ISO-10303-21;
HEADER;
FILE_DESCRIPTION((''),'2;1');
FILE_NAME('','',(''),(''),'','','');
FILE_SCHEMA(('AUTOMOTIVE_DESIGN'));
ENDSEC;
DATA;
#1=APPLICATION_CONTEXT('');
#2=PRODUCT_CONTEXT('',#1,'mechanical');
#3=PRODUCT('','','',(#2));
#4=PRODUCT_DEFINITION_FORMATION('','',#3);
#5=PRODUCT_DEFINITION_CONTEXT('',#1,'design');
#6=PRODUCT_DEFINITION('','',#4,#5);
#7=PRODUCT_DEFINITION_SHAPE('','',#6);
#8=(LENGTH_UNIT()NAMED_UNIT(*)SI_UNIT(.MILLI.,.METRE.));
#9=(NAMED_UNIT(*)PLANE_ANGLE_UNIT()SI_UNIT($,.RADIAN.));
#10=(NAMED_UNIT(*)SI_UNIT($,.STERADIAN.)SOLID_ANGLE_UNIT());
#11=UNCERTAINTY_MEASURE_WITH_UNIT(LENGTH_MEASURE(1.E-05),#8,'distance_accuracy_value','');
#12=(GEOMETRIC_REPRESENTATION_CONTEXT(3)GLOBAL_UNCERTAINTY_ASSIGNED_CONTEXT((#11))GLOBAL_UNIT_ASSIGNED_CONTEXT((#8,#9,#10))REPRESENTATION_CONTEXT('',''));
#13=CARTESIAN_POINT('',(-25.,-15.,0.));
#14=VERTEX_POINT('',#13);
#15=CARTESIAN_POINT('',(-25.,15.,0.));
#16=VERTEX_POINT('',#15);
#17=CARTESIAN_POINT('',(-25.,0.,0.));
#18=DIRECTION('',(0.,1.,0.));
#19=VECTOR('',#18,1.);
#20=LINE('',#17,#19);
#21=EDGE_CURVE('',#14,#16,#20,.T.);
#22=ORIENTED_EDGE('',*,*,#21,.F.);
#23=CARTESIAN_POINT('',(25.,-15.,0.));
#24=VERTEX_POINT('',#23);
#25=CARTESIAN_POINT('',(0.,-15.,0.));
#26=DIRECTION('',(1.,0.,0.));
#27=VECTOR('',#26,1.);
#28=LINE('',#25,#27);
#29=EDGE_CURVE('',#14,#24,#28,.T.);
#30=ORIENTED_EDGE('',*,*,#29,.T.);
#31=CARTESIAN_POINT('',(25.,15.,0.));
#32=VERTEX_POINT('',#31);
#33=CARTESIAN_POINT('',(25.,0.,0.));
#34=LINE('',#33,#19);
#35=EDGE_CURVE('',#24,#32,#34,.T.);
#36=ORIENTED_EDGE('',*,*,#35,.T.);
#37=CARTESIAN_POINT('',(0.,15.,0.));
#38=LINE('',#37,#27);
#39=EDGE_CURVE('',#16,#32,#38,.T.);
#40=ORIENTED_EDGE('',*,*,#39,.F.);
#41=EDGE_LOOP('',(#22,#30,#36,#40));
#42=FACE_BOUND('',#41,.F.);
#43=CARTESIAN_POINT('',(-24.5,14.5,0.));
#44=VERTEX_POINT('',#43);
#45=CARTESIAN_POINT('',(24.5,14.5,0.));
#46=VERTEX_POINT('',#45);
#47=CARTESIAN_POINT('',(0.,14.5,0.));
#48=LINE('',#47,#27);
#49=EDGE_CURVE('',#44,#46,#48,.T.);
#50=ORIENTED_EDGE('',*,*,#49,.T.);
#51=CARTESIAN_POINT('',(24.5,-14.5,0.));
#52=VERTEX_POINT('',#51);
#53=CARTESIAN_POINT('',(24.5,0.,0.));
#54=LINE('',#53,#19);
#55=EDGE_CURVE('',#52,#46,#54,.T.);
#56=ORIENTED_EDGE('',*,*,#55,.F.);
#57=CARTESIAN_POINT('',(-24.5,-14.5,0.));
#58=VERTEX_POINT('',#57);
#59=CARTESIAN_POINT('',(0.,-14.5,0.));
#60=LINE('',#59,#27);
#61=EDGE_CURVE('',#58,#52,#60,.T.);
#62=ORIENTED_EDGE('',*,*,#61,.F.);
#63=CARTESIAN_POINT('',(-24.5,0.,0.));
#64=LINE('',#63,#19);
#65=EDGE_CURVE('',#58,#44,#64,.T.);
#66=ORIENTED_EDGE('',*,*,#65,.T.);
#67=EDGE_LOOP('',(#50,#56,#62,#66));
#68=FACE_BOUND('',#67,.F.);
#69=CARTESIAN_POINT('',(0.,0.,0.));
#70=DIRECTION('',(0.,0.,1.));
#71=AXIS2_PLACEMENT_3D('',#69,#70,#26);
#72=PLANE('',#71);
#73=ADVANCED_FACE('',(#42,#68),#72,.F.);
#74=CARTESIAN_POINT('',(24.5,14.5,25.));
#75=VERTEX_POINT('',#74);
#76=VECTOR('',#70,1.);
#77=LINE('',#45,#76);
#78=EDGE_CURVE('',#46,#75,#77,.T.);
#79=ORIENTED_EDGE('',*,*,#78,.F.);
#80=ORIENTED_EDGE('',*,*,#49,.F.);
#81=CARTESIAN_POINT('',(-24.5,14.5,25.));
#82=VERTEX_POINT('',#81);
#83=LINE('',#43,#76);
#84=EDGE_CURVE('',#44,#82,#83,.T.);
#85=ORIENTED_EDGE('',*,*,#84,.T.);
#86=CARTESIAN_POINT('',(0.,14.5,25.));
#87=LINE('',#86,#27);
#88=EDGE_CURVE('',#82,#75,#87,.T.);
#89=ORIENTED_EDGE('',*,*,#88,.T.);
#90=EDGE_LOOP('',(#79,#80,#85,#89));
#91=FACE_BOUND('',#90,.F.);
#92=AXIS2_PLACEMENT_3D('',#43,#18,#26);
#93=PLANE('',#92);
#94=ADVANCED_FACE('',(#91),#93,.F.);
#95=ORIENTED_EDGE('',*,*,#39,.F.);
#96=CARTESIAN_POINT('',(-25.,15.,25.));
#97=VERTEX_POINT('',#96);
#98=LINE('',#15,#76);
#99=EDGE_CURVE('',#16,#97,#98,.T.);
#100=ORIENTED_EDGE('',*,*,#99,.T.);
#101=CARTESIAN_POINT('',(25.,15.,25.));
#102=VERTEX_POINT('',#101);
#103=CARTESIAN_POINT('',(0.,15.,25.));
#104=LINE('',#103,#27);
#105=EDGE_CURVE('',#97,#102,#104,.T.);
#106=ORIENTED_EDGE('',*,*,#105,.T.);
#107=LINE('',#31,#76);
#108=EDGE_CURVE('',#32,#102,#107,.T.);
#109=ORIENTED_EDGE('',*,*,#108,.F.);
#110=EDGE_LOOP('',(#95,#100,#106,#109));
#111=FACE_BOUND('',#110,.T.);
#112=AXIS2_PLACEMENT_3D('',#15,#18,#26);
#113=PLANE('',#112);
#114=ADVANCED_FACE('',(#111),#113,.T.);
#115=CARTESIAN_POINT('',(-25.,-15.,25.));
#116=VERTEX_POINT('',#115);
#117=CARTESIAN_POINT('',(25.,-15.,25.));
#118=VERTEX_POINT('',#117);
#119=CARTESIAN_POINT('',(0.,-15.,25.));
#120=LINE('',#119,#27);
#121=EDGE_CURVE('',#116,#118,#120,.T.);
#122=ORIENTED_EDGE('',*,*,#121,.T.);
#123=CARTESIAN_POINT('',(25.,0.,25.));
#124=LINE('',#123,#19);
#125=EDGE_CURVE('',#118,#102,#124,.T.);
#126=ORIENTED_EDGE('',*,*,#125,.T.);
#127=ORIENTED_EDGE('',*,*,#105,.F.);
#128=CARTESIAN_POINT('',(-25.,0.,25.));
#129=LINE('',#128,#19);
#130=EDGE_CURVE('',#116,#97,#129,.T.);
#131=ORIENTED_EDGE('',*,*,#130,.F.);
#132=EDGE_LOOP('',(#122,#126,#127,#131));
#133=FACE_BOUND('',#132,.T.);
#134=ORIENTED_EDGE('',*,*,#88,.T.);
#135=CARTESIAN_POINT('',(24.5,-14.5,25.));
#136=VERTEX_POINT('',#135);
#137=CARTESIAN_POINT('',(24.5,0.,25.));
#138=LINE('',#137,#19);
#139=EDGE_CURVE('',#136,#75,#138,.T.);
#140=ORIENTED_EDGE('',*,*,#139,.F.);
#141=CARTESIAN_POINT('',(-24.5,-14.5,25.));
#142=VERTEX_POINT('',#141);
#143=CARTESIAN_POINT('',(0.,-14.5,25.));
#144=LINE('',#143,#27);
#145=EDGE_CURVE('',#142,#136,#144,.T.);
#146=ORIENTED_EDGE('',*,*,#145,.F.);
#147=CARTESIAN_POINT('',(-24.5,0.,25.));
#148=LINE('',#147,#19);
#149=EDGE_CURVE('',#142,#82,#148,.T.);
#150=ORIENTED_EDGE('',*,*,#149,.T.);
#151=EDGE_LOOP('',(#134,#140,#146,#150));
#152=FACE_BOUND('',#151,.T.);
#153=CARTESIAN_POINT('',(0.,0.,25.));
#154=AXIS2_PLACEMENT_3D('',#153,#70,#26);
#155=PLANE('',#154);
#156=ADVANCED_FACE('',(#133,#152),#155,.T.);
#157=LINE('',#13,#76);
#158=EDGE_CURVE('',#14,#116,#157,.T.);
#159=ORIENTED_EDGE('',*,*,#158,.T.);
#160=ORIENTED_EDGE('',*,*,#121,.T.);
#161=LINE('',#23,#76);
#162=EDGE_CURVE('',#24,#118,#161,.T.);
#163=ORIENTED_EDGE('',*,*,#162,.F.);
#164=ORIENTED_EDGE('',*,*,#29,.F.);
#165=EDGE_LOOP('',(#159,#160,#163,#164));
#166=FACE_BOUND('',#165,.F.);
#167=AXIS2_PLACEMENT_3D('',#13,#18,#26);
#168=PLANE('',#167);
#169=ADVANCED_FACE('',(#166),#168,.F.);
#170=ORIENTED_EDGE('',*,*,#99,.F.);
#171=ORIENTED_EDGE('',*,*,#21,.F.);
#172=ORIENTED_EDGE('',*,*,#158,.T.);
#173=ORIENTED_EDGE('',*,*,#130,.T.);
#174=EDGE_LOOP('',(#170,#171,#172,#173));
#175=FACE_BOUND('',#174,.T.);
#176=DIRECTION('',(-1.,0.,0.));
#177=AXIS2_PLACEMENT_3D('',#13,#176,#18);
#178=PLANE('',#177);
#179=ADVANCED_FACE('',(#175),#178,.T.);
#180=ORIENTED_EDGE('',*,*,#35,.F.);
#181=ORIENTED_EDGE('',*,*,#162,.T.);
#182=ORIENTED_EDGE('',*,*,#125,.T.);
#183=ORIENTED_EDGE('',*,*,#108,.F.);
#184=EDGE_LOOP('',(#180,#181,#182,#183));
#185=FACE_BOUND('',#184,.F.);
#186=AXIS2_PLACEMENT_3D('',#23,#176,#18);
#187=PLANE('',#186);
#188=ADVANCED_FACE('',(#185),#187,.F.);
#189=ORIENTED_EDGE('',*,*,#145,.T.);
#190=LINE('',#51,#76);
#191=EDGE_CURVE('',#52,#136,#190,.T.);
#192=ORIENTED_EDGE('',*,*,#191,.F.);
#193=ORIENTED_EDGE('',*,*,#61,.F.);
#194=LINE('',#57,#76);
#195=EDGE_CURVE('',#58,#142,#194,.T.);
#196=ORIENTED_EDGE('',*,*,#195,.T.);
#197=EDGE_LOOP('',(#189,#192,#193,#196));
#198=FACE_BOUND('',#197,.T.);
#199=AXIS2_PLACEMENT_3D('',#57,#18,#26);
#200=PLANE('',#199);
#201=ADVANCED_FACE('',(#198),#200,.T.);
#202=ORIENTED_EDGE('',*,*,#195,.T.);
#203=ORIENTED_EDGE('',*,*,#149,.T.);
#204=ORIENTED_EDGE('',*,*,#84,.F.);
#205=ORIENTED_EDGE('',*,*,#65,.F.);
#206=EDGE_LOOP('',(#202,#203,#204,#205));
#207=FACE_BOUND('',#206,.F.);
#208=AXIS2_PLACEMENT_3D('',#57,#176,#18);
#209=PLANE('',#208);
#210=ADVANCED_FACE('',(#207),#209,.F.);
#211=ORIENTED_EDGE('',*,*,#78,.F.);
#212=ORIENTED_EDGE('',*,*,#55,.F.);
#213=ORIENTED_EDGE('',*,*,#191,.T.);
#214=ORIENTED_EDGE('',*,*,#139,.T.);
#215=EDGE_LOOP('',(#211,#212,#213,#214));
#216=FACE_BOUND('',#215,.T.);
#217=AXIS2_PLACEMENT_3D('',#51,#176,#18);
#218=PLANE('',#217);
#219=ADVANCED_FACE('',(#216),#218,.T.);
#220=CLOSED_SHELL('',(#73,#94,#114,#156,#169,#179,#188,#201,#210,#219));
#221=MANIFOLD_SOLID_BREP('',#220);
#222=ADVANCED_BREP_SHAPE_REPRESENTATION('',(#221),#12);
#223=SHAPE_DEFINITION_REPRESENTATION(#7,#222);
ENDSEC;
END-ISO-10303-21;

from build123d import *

# Parameters (mm, degrees)
F0_W      = 50
F0_H      = 30
F1_DEPTH  = 25
F2_W      = 49
F2_H      = 29
F1_FACE_W = 50
F1_FACE_H = 30
F3_DEPTH  = 25


with BuildPart() as f1:
    # F0 (on Top) → F1 (new body)
    with BuildSketch(Plane.XY):
        Rectangle(F0_W, F0_H)
    extrude(amount=F1_DEPTH)

    # F2 (on Top) + F1_face (on face) → F3 (cut)
    with BuildSketch(Plane.XY):
        Rectangle(F2_W, F2_H)
    with BuildSketch(Plane.XY.offset(25)):
        Rectangle(F1_FACE_W, F1_FACE_H)
    extrude(amount=F3_DEPTH, mode=Mode.SUBTRACT)


solid = f1.part
